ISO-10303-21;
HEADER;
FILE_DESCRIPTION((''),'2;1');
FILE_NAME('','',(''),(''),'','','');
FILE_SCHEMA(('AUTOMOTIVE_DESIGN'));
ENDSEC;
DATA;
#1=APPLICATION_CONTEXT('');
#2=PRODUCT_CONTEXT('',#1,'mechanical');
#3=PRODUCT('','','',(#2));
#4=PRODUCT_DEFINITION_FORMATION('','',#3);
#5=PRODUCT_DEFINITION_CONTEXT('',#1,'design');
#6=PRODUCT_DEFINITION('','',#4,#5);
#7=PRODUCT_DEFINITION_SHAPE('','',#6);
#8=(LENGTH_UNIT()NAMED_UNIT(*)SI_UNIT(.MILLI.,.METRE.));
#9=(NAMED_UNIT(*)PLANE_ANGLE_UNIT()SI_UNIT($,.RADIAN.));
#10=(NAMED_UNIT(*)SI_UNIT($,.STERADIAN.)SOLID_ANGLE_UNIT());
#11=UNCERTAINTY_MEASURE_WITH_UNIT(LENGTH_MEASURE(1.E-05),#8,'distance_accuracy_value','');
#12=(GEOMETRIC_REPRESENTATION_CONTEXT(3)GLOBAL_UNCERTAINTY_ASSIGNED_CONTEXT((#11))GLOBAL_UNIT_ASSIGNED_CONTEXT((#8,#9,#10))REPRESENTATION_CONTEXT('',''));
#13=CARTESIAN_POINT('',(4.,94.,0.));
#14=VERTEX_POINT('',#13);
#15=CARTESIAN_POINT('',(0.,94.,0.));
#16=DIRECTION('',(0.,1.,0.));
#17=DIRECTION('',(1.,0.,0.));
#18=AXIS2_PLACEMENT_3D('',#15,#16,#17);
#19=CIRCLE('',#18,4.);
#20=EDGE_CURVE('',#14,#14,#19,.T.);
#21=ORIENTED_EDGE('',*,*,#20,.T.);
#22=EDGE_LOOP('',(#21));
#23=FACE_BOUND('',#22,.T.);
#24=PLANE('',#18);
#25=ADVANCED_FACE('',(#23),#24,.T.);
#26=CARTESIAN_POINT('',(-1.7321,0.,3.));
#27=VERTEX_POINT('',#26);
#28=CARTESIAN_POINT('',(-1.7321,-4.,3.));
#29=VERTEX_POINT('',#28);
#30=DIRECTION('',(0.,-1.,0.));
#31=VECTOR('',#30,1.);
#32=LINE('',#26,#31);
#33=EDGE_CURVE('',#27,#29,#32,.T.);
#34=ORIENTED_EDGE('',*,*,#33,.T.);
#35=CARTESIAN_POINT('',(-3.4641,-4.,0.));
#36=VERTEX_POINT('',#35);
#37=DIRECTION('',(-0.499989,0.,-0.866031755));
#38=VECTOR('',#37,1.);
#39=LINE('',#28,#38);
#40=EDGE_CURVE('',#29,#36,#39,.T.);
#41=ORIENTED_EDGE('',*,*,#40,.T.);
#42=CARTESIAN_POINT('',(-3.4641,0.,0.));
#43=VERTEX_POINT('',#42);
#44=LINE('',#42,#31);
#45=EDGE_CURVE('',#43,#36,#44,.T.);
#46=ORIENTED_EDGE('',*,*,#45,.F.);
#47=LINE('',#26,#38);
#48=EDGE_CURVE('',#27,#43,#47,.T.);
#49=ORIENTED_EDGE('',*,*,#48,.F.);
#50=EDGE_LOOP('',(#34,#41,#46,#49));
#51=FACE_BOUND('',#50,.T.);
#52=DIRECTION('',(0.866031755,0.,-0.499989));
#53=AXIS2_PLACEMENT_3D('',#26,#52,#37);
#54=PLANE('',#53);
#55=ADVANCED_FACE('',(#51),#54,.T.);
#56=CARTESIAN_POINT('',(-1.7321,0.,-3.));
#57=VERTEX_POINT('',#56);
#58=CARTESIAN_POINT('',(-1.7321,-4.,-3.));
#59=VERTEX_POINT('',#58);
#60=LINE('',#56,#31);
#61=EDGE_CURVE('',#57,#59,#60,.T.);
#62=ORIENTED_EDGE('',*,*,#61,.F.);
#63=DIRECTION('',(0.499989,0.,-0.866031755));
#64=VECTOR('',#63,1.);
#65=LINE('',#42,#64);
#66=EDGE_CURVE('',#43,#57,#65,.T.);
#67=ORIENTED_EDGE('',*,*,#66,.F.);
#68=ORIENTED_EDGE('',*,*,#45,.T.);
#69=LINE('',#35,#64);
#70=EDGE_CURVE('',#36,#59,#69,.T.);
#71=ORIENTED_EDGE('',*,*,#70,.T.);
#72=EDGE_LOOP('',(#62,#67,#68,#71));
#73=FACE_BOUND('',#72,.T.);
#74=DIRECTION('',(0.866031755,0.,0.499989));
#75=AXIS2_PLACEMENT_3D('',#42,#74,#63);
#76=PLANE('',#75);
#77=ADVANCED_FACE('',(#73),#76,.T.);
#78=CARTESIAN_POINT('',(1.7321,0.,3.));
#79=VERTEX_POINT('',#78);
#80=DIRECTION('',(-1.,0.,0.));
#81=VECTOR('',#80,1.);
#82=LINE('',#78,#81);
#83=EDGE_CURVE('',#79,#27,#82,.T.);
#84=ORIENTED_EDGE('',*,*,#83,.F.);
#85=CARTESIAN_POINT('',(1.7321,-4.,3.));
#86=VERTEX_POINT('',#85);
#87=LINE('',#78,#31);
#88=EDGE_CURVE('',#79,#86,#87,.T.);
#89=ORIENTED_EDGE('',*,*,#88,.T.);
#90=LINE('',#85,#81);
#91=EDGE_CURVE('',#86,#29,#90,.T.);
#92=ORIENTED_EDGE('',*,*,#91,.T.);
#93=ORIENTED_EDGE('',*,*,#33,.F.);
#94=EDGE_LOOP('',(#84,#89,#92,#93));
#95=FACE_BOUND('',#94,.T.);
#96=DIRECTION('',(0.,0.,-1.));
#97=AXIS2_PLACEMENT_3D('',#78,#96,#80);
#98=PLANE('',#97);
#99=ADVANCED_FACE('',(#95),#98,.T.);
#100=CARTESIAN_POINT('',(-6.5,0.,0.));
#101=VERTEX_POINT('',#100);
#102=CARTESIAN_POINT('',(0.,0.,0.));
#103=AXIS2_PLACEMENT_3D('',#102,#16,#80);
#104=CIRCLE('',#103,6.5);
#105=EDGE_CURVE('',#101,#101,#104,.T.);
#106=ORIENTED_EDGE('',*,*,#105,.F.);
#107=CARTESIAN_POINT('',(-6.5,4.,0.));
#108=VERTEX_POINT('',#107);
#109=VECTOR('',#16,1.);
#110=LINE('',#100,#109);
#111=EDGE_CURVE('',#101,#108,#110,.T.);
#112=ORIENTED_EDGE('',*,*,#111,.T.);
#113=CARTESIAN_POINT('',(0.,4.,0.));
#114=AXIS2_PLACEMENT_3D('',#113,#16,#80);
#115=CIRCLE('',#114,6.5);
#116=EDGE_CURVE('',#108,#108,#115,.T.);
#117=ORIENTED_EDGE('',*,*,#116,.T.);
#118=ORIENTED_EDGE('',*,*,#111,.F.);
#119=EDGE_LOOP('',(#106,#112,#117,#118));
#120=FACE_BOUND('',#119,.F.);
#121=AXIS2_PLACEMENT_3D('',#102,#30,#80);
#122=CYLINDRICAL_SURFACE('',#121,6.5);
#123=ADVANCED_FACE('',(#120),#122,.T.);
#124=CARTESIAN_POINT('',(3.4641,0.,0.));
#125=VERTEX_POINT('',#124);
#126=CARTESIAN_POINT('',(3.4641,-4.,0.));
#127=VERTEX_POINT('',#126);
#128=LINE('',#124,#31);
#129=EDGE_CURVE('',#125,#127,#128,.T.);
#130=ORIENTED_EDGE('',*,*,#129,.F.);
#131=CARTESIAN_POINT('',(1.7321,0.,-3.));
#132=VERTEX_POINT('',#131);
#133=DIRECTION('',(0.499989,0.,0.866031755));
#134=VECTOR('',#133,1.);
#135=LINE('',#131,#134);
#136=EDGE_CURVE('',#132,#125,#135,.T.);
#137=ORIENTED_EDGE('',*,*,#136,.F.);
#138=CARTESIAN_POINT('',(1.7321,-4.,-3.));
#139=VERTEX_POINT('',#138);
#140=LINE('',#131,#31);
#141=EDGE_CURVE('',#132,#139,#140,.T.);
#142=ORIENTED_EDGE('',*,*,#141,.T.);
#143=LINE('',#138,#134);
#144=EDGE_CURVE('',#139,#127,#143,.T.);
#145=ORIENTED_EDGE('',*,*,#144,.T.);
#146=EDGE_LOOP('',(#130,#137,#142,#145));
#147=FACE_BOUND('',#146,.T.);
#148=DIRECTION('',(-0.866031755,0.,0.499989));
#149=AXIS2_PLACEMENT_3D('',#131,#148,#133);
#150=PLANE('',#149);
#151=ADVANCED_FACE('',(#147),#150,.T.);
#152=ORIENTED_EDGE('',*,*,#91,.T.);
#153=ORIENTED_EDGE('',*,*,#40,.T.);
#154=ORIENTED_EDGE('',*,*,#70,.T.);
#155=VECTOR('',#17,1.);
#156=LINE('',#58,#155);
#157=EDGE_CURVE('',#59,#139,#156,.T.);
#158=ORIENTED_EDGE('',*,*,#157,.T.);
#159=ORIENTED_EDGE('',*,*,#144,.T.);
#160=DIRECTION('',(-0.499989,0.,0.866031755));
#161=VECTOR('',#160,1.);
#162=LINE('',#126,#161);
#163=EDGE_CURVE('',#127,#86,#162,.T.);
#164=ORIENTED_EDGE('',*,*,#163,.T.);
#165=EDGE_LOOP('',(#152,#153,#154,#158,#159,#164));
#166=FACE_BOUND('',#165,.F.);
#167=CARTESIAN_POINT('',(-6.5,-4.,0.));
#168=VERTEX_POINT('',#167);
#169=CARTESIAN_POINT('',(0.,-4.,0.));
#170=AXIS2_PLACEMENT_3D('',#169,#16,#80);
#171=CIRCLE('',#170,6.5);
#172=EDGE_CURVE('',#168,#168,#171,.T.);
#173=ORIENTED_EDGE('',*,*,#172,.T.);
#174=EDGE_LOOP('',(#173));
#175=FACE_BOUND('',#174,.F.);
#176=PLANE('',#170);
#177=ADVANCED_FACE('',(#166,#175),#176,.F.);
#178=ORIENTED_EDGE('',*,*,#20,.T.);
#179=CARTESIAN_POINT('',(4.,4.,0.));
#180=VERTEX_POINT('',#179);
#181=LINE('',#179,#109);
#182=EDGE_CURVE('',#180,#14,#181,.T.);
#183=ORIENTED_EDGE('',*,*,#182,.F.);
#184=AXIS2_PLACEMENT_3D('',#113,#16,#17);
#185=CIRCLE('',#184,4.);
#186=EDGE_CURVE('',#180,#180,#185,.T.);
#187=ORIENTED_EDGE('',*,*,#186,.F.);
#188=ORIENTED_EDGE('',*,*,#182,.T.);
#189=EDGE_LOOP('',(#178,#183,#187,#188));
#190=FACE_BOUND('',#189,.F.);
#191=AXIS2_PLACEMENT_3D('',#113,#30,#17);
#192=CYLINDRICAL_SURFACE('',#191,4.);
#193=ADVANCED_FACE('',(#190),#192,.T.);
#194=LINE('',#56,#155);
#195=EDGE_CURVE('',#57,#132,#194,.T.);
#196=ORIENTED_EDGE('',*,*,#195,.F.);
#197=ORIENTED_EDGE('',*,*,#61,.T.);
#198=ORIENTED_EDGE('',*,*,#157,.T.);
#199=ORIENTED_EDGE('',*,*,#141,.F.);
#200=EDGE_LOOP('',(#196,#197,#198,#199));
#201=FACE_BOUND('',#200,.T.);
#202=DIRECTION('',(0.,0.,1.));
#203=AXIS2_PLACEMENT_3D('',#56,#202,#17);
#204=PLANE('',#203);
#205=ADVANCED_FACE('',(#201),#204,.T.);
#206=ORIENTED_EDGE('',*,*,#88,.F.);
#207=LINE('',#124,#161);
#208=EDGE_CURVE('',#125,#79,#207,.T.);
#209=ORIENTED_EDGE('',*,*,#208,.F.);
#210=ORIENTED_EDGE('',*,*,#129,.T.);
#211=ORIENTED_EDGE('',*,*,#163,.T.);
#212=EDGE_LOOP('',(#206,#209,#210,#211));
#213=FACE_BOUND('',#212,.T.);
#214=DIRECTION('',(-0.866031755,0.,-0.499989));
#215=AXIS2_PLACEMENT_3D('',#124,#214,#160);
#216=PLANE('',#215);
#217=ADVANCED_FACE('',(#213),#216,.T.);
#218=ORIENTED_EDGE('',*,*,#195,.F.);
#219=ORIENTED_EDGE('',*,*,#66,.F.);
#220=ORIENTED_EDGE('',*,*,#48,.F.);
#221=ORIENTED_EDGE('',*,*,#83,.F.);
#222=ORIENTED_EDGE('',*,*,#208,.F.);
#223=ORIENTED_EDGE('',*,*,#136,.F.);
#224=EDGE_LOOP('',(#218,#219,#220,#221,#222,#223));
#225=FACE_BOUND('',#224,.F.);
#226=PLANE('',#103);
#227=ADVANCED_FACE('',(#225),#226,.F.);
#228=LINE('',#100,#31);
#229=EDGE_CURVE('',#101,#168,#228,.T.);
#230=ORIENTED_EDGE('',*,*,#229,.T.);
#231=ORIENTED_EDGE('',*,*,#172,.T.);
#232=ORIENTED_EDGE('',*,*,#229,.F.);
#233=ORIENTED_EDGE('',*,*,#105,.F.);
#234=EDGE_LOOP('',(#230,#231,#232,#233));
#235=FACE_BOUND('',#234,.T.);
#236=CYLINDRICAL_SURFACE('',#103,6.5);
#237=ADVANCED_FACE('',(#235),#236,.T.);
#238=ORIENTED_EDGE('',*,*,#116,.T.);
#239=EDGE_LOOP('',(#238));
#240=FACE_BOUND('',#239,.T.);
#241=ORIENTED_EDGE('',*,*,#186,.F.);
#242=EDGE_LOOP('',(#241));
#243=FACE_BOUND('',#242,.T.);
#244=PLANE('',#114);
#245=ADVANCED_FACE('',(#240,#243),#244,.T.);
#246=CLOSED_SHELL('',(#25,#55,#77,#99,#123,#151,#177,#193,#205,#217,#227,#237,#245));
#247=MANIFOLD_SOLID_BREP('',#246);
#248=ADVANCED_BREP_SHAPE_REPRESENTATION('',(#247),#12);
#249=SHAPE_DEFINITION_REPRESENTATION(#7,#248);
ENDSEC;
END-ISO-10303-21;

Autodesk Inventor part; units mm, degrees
ref_plane "YZ Plane" through (0, 0, 0) normal (1, 0, 0) x (0, 1, 0)
ref_plane "XZ Plane" through (0, 0, 0) normal (0, 1, 0) x (-1, 0, 0)
ref_plane "XY Plane" through (0, 0, 0) normal (0, 0, 1) x (1, 0, 0)
sketch "Szkic1" plane through (0, 0, 0) normal (0, 1, 0) x (-1, 0, 0)
  circle A0 centre (0, 0) radius 6.5
  line L0 (1.7321, 3) -> (3.4641, 0)
  line L1 (3.4641, 0) -> (1.7321, -3)
  line L2 (1.7321, -3) -> (-1.7321, -3)
  line L3 (-1.7321, -3) -> (-3.4641, 0)
  line L4 (-3.4641, 0) -> (-1.7321, 3)
  line L5 (-1.7321, 3) -> (1.7321, 3)
  circle A1 centre (0, 0) radius 4
  dimension "d0" = 13
  dimension "d1" = 6
  dimension "d12" = 8
extrude "Wyciągnięcie proste1" add sketch "Szkic1" along normal blind 4 contours A0 | L0 L1 L2 L3 L4 L5 | A1
extrude "Wyciągnięcie proste2" add sketch "Szkic1" against normal blind 4 contours A0 | A1
sketch "Szkic2" plane through (0, 4, 0) normal (0, 1, 0) x (1, 0, 0)
  circle A0 centre (0, 0) radius 4
  dimension "d7" = 8
extrude "Wyciągnięcie proste3" add sketch "Szkic2" along normal blind 90
thread "Gwint1" size "M8x1.25" class "6g" standard "ANSI Metric M Profile" length 48 offset 35
thread "Gwint2" size "M8x1.25" class "6g" standard "ANSI Metric M Profile" length 28
properties part number "M8x80_threaded"
